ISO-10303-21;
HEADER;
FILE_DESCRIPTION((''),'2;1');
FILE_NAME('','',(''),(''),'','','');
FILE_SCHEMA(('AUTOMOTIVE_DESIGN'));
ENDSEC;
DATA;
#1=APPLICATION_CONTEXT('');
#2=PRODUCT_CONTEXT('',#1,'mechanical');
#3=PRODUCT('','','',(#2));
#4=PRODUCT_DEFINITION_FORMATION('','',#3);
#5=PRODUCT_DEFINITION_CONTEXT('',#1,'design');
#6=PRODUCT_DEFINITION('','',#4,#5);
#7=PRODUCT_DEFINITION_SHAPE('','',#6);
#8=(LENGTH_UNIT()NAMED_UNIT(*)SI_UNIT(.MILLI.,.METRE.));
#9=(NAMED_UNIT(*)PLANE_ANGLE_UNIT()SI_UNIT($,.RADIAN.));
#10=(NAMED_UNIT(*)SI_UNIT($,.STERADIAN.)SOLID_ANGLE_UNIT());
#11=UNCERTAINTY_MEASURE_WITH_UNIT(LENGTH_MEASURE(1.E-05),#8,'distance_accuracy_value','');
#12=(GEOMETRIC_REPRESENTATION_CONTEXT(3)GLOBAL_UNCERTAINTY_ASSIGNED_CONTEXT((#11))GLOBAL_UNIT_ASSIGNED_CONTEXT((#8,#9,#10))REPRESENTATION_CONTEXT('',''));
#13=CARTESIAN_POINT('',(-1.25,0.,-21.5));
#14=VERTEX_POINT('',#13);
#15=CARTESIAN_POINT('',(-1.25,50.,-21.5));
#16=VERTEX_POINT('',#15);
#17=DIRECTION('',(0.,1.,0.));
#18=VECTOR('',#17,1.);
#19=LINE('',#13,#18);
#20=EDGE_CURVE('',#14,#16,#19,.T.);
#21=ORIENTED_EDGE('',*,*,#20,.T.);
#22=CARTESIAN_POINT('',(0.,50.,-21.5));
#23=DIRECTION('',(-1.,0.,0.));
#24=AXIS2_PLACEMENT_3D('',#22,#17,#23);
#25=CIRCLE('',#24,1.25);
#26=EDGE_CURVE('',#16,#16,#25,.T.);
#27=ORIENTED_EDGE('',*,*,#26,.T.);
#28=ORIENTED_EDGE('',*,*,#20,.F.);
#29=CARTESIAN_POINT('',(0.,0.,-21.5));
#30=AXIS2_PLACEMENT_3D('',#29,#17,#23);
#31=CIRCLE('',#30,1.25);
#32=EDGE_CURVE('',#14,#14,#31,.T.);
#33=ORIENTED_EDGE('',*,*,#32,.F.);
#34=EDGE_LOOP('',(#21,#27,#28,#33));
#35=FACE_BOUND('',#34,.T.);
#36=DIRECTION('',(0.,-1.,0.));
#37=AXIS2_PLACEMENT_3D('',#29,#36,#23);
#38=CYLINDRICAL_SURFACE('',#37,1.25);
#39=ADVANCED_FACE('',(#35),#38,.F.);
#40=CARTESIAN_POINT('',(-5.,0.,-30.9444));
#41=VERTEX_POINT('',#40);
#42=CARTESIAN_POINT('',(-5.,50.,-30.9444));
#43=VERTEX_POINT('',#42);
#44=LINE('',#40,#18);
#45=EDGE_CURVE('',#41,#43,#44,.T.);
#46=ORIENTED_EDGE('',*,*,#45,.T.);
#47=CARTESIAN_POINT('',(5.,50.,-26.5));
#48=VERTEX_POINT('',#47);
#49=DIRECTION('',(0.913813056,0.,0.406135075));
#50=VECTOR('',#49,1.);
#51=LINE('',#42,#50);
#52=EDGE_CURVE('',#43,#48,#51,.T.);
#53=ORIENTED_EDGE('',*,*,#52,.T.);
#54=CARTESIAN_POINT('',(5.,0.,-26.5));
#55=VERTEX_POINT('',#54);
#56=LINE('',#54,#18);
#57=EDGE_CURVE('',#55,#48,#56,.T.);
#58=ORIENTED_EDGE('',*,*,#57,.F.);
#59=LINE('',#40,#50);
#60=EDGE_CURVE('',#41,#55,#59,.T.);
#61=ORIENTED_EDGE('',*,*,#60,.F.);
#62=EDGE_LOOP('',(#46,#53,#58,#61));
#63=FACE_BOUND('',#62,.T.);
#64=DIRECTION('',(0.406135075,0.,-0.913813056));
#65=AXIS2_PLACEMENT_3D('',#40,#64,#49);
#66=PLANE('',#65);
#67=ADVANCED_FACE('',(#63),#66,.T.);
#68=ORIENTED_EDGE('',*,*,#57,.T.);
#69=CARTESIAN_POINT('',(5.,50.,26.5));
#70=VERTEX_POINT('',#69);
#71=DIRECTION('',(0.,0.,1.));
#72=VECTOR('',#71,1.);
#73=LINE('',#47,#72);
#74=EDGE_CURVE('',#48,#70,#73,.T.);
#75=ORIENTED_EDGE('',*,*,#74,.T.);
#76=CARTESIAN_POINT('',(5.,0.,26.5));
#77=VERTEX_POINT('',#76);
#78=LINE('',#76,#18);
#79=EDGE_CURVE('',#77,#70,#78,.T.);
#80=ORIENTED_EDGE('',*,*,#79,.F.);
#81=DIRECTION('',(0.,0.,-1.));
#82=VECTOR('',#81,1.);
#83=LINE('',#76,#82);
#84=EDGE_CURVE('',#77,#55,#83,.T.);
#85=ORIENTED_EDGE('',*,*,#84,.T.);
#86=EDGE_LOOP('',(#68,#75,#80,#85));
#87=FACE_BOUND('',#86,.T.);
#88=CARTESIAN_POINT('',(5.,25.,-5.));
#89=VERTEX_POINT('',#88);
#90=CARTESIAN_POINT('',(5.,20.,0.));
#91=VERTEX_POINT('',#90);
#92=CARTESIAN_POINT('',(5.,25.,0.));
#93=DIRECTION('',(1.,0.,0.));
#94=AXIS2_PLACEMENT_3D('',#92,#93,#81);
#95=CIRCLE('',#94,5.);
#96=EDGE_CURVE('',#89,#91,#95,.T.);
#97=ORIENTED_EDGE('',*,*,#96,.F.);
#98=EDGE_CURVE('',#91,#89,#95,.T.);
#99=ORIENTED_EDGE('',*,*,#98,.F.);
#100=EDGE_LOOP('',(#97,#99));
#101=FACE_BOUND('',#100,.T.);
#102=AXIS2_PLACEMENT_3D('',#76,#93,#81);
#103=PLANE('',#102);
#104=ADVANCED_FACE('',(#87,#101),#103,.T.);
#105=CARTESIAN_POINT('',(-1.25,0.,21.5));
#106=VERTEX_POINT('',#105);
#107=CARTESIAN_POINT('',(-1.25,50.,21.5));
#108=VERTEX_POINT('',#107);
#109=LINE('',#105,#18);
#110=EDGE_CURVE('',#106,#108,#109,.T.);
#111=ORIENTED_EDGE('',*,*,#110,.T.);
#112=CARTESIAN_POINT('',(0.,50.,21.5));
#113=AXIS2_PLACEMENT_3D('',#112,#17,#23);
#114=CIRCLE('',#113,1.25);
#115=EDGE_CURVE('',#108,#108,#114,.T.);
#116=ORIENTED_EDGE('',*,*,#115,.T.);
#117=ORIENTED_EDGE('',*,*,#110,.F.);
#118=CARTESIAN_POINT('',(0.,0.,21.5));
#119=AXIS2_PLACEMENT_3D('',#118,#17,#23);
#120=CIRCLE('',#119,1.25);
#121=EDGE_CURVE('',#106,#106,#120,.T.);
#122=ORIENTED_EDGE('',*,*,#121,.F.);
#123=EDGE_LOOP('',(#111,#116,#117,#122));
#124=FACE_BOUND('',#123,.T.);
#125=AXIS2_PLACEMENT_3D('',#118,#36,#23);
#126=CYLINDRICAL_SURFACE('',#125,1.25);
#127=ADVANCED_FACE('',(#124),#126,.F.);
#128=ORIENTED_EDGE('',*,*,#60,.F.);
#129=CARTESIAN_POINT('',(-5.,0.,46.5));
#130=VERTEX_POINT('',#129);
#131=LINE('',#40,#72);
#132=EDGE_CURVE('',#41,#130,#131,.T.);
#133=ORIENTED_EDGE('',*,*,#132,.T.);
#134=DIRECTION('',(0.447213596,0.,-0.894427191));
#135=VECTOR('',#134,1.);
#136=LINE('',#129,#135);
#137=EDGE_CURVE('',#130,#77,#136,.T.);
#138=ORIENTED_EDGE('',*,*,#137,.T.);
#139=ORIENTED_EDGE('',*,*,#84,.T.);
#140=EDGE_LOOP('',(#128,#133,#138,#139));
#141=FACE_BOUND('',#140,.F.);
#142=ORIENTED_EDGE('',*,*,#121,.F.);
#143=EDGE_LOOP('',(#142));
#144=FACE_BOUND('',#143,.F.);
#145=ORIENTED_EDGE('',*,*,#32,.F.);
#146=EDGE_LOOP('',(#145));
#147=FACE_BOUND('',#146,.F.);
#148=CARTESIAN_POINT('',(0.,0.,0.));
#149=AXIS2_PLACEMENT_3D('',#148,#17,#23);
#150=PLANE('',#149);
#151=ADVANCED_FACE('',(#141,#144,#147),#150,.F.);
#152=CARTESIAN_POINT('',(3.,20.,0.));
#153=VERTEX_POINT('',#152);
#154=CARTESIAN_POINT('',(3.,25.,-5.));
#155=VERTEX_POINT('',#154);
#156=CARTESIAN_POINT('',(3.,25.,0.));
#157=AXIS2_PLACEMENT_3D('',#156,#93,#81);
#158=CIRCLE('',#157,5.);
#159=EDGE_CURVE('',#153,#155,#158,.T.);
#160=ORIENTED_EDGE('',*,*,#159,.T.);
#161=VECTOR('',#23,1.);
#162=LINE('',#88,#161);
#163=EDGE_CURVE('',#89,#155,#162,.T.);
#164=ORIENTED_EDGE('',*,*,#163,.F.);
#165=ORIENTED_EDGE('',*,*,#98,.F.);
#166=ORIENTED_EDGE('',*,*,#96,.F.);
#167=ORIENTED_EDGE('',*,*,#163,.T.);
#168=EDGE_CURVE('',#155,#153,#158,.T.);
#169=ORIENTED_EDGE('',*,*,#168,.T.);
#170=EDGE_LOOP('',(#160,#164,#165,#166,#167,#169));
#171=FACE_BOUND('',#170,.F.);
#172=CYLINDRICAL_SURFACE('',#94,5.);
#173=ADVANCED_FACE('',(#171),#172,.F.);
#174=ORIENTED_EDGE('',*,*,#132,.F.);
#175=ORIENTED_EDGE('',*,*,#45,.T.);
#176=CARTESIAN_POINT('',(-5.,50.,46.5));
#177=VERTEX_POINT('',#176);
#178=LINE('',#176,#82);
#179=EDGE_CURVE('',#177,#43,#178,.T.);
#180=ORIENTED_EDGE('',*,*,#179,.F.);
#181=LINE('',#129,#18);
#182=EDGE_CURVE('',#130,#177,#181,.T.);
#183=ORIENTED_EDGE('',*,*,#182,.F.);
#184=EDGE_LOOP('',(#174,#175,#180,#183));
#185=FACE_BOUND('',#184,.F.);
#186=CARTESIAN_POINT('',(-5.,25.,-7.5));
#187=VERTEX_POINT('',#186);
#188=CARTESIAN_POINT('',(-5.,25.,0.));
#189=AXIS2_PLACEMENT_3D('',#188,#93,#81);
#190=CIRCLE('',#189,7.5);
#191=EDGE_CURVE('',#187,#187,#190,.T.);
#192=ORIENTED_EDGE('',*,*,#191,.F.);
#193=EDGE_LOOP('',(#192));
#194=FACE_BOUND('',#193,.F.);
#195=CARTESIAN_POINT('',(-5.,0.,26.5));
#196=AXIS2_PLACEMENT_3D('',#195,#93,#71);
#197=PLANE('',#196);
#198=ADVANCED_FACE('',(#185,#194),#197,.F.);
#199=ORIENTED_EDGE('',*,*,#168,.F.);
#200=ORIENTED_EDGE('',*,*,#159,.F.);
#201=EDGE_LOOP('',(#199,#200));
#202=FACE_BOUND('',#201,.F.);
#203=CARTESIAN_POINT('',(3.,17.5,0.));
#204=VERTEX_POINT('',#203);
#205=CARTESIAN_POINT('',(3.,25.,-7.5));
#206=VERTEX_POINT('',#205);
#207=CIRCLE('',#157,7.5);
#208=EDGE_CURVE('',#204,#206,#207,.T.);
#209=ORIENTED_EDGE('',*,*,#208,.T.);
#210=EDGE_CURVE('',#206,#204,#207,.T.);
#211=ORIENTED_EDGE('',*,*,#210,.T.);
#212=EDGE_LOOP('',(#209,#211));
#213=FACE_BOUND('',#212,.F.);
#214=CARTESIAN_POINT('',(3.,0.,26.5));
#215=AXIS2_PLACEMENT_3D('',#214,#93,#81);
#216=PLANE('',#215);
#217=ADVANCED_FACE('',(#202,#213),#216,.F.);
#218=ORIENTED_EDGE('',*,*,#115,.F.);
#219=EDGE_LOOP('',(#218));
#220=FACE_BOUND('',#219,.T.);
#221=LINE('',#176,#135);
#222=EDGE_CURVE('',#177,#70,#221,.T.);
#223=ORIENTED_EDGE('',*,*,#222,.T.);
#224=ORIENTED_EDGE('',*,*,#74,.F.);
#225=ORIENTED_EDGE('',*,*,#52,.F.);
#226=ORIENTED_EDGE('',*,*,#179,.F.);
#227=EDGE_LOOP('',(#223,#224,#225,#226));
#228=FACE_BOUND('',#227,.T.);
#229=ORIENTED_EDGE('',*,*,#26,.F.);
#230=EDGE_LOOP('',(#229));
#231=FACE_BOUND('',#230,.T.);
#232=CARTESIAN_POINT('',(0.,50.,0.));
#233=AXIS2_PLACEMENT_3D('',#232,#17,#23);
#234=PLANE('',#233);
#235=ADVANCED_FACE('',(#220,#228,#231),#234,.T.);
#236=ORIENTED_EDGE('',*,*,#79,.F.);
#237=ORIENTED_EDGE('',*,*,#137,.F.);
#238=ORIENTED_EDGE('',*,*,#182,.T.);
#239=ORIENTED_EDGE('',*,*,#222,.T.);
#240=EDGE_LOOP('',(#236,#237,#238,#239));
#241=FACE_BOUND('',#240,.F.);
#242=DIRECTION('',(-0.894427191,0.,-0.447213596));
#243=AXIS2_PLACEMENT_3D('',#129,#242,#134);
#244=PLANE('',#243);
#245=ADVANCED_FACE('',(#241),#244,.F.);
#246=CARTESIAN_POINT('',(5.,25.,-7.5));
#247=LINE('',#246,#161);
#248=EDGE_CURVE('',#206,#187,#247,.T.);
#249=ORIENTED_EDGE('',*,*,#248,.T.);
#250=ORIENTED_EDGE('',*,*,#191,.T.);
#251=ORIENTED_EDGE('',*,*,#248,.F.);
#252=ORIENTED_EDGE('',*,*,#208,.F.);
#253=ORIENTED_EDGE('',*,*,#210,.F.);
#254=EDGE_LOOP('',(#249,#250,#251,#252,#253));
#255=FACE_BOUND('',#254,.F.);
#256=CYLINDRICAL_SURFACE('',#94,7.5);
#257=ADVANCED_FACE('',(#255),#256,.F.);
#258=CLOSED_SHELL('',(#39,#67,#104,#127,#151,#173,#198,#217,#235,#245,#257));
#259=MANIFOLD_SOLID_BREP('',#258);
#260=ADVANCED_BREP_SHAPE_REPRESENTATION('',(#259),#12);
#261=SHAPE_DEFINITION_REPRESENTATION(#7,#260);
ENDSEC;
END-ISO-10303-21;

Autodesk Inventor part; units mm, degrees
ref_plane "YZ Plane" through (0, 0, 0) normal (1, 0, 0) x (0, 1, 0)
ref_plane "XZ Plane" through (0, 0, 0) normal (0, 1, 0) x (-1, 0, 0)
ref_plane "XY Plane" through (0, 0, 0) normal (0, 0, 1) x (1, 0, 0)
sketch "Sketch1" plane through (0, 0, 0) normal (0, 1, 0) x (-1, 0, 0)
  line L0 (-5, 26.5) -> (5, 26.5)
  line L1 (5, 26.5) -> (5, -26.5)
  line L2 (5, -26.5) -> (-5, -26.5)
  line L3 (-5, -26.5) -> (-5, 26.5)
  line L4 (5, -26.5) -> (5, -30.9444)
  line L5 (5, -30.9444) -> (-5, -26.5)
  line L6 (5, -30.9444) -> (5, 46.5)
  line L7 (5, 46.5) -> (-5, 26.5)
  line L8 (-5, -26.5) -> (0, -26.5)
  line L9 (-5, -21.5) -> (-5, -26.5)
  line L10 (5, 26.5) -> (0, 26.5)
  line L11 (5, 21.5) -> (5, 26.5)
  circle A0 centre (0, 21.5) radius 1.25
  circle A1 centre (0, -21.5) radius 1.25
  point P0 (0, 0)
  dimension "d0" = 10
  dimension "d1" = 53
  dimension "d2" = 4.4444
  dimension "d3" = 77.4444
  dimension "d8" = 2.5
  dimension "d9" = 2.5
extrude "Extrusion1" add sketch "Sketch1" along normal blind 50
sketch "Sketch2" plane through (5, 0, 26.5) normal (1, 0, 0) x (0, 0, -1)
  line L0 (53, 0) -> (0, 0)
  line L1 (0, 0) -> (0, 50)
  line L2 (0, 50) -> (53, 50)
  line L3 (53, 50) -> (53, 0)
  line L4 (26.5, 0) -> (26.5, 25)
  circle A0 centre (26.5, 25) radius 7.5
  circle A1 centre (26.5, 25) radius 5
  dimension "d12" = 25
  dimension "d13" = 15
  dimension "d16" = 10
extrude "Extrusion2" cut sketch "Sketch2" against normal blind 10 contours A1 | A0
extrude "Extrusion3" add sketch "Sketch2" against normal blind 2 contours A0
properties part number "bocnice_kratsi"
